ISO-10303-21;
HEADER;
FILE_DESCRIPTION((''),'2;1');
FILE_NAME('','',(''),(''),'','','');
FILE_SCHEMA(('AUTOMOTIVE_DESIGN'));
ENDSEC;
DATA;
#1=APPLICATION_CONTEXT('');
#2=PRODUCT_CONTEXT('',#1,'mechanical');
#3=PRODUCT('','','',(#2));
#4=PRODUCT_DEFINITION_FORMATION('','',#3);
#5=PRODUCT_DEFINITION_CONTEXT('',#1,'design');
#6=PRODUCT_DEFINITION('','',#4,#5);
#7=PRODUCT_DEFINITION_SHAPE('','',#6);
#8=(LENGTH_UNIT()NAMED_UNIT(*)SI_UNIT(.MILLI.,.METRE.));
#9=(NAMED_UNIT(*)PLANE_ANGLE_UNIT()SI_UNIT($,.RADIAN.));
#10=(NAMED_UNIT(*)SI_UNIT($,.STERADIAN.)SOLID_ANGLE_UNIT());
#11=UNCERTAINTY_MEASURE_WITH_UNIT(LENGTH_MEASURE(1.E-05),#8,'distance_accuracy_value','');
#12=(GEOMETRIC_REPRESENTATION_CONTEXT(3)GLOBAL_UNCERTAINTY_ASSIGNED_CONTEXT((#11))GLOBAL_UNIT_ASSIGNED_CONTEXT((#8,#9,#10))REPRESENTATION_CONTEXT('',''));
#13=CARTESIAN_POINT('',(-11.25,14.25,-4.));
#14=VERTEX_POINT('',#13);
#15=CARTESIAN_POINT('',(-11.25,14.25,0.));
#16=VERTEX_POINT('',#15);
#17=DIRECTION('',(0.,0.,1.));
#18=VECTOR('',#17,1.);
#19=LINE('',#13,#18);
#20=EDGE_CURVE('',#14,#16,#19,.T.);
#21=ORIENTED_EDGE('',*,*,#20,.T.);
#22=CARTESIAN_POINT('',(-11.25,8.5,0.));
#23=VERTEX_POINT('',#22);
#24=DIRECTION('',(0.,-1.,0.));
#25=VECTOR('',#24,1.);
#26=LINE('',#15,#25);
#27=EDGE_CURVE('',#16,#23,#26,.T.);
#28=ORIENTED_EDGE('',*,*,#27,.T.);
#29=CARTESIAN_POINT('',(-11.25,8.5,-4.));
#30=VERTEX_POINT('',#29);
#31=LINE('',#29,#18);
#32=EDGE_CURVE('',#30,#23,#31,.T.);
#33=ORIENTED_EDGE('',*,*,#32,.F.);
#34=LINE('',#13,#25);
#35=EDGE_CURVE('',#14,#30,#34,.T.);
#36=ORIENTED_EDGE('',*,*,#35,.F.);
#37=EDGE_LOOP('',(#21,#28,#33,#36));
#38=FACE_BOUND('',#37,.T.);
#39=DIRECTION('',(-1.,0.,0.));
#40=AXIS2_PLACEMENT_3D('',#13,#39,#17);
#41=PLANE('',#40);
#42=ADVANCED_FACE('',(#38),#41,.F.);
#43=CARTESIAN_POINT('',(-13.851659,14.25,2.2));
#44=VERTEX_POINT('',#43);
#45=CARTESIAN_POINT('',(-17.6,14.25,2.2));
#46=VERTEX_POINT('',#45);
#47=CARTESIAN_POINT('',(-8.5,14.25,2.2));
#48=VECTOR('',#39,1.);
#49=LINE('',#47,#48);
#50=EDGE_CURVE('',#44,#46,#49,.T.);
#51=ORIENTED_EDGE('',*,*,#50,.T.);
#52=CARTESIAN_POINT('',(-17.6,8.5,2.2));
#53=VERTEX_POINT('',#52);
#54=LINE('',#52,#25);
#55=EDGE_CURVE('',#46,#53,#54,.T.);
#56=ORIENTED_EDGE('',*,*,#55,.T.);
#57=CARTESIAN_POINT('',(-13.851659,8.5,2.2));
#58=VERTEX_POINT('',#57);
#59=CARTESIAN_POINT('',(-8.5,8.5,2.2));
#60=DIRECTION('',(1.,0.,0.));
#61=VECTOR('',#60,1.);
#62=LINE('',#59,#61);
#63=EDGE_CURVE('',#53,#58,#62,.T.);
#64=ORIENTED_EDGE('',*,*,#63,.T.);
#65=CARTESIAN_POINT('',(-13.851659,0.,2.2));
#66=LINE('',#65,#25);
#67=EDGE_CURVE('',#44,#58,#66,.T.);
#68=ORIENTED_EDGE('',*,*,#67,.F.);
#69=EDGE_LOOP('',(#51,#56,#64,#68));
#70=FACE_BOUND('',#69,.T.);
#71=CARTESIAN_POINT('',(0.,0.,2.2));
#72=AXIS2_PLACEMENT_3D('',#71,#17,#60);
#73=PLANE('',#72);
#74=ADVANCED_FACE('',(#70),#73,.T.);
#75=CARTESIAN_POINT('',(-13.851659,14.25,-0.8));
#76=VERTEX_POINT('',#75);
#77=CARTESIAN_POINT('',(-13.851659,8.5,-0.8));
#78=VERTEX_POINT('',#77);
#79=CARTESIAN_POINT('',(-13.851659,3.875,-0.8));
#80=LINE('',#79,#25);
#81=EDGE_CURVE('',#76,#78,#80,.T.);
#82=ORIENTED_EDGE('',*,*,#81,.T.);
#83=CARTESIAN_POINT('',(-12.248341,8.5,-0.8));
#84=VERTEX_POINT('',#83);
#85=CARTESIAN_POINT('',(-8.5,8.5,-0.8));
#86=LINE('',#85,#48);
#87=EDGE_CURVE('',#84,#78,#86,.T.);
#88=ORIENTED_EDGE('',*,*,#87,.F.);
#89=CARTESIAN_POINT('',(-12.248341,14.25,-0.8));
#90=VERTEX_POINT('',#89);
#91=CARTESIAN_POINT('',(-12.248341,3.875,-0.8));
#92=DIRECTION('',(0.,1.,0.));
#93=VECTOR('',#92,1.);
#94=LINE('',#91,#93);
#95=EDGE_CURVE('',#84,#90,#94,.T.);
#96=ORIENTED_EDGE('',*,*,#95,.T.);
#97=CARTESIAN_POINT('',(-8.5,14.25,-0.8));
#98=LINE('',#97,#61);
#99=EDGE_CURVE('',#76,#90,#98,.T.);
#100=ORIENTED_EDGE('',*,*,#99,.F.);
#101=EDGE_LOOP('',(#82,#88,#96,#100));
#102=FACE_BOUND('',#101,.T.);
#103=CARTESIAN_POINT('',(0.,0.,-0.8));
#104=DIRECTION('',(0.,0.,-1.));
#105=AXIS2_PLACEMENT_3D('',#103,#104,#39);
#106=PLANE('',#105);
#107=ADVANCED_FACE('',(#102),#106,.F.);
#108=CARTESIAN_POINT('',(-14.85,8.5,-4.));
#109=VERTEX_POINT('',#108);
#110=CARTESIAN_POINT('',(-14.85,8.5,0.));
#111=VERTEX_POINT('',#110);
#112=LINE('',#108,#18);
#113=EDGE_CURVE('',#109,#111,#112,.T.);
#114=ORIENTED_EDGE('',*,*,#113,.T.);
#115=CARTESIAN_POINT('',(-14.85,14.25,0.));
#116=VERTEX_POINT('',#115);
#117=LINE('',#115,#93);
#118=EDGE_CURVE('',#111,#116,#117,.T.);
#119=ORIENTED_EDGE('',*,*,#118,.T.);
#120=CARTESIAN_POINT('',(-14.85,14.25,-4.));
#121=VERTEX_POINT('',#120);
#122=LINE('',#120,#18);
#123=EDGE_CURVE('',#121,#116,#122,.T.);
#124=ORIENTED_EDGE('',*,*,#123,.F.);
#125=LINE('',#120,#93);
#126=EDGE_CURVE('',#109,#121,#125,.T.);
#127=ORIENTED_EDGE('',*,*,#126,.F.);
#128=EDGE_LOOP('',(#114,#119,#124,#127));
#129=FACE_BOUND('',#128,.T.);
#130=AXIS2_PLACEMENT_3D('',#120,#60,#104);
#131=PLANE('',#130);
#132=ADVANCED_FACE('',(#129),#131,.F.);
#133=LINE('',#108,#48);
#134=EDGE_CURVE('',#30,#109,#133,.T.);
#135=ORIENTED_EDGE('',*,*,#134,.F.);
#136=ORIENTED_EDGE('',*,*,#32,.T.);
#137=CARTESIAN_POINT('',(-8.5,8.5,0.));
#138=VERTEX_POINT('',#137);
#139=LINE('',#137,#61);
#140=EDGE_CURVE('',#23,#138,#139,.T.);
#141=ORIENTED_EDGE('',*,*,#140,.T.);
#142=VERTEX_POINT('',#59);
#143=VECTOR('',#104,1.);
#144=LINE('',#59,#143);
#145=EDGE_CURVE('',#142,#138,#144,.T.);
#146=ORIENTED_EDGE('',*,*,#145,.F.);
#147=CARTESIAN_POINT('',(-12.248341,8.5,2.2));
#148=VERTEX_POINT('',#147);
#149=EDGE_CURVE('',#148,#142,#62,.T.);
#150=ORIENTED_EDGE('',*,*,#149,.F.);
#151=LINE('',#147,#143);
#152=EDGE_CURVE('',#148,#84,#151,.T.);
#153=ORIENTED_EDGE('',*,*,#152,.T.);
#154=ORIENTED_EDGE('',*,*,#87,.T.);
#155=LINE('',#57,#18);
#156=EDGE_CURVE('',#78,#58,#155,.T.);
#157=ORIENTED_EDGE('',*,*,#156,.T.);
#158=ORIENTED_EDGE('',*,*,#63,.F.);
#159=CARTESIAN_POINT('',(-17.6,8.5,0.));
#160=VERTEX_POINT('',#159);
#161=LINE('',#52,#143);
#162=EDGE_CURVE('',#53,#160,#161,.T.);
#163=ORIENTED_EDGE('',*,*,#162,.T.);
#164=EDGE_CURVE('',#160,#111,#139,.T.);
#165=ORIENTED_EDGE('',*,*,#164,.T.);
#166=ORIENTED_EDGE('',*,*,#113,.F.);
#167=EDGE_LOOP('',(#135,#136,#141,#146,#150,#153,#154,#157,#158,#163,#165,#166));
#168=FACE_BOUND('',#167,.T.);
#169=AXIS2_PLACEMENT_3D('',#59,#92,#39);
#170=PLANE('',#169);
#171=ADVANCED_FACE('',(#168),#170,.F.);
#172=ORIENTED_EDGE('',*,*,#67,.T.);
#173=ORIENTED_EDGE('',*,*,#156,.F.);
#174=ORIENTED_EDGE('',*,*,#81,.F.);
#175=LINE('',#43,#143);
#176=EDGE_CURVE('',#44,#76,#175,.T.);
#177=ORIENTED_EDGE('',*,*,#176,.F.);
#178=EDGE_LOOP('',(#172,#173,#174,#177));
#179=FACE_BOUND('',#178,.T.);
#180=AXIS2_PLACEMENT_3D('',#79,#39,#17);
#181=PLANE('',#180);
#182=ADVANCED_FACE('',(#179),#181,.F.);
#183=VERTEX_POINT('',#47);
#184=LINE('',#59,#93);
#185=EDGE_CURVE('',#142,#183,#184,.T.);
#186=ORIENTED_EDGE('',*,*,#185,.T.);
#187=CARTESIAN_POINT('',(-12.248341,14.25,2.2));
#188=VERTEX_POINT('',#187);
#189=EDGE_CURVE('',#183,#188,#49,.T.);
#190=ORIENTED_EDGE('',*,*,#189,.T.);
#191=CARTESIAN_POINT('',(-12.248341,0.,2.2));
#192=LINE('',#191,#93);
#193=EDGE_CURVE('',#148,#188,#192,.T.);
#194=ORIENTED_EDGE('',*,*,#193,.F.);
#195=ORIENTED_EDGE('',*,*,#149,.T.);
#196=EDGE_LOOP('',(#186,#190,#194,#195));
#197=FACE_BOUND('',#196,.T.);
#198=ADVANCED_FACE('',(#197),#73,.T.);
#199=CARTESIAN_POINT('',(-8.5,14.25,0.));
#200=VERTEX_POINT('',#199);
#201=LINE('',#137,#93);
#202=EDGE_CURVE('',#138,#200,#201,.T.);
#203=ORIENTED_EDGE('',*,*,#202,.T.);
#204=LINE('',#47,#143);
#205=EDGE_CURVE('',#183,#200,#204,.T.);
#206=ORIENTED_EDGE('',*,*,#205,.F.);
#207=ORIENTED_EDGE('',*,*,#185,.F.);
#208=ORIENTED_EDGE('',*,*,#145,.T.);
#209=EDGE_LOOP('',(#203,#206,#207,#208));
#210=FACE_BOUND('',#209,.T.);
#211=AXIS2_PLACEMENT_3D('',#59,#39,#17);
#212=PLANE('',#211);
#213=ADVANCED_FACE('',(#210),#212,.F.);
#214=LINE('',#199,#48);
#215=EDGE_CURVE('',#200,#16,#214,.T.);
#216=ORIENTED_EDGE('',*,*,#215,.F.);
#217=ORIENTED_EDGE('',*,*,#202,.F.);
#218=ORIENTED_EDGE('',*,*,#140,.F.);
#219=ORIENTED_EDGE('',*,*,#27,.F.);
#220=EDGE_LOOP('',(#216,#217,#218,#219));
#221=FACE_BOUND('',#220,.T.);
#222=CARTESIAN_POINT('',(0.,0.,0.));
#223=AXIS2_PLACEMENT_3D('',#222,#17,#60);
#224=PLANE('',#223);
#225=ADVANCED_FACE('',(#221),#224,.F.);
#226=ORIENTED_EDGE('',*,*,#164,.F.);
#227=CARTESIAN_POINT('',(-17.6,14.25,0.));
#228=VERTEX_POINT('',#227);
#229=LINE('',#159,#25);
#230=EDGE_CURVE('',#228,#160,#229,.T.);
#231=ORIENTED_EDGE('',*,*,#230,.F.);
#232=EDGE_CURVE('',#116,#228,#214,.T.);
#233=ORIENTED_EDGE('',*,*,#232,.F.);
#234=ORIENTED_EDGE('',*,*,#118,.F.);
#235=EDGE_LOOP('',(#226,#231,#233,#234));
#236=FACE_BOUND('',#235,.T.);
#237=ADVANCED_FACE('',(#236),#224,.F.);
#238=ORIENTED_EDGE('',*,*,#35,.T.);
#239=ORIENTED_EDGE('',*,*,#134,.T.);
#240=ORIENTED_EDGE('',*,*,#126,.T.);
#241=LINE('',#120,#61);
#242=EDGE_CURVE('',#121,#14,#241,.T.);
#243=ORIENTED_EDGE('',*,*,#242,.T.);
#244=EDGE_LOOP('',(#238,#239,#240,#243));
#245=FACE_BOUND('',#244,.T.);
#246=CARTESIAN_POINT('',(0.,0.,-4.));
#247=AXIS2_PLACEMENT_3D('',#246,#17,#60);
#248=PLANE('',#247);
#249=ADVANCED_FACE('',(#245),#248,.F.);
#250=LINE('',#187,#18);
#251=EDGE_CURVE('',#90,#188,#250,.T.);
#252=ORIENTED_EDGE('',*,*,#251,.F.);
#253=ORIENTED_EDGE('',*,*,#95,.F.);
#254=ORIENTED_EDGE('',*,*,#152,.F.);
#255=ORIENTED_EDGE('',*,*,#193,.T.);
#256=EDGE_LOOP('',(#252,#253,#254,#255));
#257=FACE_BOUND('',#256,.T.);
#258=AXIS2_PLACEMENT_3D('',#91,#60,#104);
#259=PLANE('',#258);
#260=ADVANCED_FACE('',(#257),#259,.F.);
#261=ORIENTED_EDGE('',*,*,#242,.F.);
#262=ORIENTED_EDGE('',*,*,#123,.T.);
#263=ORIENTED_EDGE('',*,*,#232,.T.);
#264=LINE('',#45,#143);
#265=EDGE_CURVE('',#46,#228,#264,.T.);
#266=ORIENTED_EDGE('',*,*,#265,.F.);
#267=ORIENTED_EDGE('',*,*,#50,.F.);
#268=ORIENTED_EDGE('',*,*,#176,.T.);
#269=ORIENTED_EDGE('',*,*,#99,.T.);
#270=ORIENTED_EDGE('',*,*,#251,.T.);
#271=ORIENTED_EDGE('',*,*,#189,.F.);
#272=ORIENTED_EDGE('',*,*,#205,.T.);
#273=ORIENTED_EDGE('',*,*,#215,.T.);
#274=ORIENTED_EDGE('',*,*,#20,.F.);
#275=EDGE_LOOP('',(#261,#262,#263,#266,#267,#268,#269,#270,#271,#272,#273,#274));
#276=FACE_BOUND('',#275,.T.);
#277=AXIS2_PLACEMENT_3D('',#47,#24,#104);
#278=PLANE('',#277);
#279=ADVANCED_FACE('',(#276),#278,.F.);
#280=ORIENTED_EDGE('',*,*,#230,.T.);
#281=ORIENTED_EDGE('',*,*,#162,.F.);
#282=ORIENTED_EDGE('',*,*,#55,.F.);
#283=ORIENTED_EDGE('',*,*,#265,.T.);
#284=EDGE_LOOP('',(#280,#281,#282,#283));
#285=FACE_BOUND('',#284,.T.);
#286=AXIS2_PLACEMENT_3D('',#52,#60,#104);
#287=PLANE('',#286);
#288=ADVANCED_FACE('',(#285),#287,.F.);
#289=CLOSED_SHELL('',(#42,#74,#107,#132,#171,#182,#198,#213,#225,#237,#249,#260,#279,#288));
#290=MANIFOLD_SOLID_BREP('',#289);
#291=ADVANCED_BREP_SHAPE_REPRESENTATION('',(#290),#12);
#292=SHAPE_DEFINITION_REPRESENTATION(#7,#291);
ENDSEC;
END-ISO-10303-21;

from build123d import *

# Parameters (mm, degrees)
SKETCH1_W           = 9.1
SKETCH1_H           = 5.75
BOSS_EXTRUDE1_DEPTH = 2.2
SKETCH3_W           = 3.6
SKETCH3_H           = 5.75
BOSS_EXTRUDE2_DEPTH = 4
SKETCH2_W           = 1.60331862
SKETCH2_H           = 15
CUT_EXTRUDE1_DEPTH  = 3


with BuildPart() as part:
    # Sketch1 → Boss-Extrude1 (new body)
    with BuildSketch(Plane.XY):
        with Locations((-13.05, 11.375)):
            Rectangle(SKETCH1_W, SKETCH1_H)
    extrude(amount=BOSS_EXTRUDE1_DEPTH)

    # Sketch3 → Boss-Extrude2 (add)
    with BuildSketch(Plane(origin=(0, 0, 0), x_dir=(-1, 0, 0), z_dir=(0, 0, -1))):
        with Locations((13.05, 11.375)):
            Rectangle(SKETCH3_W, SKETCH3_H)
    extrude(amount=BOSS_EXTRUDE2_DEPTH)

    # Sketch2 → Cut-Extrude1 (cut)
    with BuildSketch(Plane.XY.offset(2.2)):
        with Locations((-13.05, 11.375)):
            Rectangle(SKETCH2_W, SKETCH2_H)
    extrude(amount=-CUT_EXTRUDE1_DEPTH, mode=Mode.SUBTRACT)


solid = part.part
